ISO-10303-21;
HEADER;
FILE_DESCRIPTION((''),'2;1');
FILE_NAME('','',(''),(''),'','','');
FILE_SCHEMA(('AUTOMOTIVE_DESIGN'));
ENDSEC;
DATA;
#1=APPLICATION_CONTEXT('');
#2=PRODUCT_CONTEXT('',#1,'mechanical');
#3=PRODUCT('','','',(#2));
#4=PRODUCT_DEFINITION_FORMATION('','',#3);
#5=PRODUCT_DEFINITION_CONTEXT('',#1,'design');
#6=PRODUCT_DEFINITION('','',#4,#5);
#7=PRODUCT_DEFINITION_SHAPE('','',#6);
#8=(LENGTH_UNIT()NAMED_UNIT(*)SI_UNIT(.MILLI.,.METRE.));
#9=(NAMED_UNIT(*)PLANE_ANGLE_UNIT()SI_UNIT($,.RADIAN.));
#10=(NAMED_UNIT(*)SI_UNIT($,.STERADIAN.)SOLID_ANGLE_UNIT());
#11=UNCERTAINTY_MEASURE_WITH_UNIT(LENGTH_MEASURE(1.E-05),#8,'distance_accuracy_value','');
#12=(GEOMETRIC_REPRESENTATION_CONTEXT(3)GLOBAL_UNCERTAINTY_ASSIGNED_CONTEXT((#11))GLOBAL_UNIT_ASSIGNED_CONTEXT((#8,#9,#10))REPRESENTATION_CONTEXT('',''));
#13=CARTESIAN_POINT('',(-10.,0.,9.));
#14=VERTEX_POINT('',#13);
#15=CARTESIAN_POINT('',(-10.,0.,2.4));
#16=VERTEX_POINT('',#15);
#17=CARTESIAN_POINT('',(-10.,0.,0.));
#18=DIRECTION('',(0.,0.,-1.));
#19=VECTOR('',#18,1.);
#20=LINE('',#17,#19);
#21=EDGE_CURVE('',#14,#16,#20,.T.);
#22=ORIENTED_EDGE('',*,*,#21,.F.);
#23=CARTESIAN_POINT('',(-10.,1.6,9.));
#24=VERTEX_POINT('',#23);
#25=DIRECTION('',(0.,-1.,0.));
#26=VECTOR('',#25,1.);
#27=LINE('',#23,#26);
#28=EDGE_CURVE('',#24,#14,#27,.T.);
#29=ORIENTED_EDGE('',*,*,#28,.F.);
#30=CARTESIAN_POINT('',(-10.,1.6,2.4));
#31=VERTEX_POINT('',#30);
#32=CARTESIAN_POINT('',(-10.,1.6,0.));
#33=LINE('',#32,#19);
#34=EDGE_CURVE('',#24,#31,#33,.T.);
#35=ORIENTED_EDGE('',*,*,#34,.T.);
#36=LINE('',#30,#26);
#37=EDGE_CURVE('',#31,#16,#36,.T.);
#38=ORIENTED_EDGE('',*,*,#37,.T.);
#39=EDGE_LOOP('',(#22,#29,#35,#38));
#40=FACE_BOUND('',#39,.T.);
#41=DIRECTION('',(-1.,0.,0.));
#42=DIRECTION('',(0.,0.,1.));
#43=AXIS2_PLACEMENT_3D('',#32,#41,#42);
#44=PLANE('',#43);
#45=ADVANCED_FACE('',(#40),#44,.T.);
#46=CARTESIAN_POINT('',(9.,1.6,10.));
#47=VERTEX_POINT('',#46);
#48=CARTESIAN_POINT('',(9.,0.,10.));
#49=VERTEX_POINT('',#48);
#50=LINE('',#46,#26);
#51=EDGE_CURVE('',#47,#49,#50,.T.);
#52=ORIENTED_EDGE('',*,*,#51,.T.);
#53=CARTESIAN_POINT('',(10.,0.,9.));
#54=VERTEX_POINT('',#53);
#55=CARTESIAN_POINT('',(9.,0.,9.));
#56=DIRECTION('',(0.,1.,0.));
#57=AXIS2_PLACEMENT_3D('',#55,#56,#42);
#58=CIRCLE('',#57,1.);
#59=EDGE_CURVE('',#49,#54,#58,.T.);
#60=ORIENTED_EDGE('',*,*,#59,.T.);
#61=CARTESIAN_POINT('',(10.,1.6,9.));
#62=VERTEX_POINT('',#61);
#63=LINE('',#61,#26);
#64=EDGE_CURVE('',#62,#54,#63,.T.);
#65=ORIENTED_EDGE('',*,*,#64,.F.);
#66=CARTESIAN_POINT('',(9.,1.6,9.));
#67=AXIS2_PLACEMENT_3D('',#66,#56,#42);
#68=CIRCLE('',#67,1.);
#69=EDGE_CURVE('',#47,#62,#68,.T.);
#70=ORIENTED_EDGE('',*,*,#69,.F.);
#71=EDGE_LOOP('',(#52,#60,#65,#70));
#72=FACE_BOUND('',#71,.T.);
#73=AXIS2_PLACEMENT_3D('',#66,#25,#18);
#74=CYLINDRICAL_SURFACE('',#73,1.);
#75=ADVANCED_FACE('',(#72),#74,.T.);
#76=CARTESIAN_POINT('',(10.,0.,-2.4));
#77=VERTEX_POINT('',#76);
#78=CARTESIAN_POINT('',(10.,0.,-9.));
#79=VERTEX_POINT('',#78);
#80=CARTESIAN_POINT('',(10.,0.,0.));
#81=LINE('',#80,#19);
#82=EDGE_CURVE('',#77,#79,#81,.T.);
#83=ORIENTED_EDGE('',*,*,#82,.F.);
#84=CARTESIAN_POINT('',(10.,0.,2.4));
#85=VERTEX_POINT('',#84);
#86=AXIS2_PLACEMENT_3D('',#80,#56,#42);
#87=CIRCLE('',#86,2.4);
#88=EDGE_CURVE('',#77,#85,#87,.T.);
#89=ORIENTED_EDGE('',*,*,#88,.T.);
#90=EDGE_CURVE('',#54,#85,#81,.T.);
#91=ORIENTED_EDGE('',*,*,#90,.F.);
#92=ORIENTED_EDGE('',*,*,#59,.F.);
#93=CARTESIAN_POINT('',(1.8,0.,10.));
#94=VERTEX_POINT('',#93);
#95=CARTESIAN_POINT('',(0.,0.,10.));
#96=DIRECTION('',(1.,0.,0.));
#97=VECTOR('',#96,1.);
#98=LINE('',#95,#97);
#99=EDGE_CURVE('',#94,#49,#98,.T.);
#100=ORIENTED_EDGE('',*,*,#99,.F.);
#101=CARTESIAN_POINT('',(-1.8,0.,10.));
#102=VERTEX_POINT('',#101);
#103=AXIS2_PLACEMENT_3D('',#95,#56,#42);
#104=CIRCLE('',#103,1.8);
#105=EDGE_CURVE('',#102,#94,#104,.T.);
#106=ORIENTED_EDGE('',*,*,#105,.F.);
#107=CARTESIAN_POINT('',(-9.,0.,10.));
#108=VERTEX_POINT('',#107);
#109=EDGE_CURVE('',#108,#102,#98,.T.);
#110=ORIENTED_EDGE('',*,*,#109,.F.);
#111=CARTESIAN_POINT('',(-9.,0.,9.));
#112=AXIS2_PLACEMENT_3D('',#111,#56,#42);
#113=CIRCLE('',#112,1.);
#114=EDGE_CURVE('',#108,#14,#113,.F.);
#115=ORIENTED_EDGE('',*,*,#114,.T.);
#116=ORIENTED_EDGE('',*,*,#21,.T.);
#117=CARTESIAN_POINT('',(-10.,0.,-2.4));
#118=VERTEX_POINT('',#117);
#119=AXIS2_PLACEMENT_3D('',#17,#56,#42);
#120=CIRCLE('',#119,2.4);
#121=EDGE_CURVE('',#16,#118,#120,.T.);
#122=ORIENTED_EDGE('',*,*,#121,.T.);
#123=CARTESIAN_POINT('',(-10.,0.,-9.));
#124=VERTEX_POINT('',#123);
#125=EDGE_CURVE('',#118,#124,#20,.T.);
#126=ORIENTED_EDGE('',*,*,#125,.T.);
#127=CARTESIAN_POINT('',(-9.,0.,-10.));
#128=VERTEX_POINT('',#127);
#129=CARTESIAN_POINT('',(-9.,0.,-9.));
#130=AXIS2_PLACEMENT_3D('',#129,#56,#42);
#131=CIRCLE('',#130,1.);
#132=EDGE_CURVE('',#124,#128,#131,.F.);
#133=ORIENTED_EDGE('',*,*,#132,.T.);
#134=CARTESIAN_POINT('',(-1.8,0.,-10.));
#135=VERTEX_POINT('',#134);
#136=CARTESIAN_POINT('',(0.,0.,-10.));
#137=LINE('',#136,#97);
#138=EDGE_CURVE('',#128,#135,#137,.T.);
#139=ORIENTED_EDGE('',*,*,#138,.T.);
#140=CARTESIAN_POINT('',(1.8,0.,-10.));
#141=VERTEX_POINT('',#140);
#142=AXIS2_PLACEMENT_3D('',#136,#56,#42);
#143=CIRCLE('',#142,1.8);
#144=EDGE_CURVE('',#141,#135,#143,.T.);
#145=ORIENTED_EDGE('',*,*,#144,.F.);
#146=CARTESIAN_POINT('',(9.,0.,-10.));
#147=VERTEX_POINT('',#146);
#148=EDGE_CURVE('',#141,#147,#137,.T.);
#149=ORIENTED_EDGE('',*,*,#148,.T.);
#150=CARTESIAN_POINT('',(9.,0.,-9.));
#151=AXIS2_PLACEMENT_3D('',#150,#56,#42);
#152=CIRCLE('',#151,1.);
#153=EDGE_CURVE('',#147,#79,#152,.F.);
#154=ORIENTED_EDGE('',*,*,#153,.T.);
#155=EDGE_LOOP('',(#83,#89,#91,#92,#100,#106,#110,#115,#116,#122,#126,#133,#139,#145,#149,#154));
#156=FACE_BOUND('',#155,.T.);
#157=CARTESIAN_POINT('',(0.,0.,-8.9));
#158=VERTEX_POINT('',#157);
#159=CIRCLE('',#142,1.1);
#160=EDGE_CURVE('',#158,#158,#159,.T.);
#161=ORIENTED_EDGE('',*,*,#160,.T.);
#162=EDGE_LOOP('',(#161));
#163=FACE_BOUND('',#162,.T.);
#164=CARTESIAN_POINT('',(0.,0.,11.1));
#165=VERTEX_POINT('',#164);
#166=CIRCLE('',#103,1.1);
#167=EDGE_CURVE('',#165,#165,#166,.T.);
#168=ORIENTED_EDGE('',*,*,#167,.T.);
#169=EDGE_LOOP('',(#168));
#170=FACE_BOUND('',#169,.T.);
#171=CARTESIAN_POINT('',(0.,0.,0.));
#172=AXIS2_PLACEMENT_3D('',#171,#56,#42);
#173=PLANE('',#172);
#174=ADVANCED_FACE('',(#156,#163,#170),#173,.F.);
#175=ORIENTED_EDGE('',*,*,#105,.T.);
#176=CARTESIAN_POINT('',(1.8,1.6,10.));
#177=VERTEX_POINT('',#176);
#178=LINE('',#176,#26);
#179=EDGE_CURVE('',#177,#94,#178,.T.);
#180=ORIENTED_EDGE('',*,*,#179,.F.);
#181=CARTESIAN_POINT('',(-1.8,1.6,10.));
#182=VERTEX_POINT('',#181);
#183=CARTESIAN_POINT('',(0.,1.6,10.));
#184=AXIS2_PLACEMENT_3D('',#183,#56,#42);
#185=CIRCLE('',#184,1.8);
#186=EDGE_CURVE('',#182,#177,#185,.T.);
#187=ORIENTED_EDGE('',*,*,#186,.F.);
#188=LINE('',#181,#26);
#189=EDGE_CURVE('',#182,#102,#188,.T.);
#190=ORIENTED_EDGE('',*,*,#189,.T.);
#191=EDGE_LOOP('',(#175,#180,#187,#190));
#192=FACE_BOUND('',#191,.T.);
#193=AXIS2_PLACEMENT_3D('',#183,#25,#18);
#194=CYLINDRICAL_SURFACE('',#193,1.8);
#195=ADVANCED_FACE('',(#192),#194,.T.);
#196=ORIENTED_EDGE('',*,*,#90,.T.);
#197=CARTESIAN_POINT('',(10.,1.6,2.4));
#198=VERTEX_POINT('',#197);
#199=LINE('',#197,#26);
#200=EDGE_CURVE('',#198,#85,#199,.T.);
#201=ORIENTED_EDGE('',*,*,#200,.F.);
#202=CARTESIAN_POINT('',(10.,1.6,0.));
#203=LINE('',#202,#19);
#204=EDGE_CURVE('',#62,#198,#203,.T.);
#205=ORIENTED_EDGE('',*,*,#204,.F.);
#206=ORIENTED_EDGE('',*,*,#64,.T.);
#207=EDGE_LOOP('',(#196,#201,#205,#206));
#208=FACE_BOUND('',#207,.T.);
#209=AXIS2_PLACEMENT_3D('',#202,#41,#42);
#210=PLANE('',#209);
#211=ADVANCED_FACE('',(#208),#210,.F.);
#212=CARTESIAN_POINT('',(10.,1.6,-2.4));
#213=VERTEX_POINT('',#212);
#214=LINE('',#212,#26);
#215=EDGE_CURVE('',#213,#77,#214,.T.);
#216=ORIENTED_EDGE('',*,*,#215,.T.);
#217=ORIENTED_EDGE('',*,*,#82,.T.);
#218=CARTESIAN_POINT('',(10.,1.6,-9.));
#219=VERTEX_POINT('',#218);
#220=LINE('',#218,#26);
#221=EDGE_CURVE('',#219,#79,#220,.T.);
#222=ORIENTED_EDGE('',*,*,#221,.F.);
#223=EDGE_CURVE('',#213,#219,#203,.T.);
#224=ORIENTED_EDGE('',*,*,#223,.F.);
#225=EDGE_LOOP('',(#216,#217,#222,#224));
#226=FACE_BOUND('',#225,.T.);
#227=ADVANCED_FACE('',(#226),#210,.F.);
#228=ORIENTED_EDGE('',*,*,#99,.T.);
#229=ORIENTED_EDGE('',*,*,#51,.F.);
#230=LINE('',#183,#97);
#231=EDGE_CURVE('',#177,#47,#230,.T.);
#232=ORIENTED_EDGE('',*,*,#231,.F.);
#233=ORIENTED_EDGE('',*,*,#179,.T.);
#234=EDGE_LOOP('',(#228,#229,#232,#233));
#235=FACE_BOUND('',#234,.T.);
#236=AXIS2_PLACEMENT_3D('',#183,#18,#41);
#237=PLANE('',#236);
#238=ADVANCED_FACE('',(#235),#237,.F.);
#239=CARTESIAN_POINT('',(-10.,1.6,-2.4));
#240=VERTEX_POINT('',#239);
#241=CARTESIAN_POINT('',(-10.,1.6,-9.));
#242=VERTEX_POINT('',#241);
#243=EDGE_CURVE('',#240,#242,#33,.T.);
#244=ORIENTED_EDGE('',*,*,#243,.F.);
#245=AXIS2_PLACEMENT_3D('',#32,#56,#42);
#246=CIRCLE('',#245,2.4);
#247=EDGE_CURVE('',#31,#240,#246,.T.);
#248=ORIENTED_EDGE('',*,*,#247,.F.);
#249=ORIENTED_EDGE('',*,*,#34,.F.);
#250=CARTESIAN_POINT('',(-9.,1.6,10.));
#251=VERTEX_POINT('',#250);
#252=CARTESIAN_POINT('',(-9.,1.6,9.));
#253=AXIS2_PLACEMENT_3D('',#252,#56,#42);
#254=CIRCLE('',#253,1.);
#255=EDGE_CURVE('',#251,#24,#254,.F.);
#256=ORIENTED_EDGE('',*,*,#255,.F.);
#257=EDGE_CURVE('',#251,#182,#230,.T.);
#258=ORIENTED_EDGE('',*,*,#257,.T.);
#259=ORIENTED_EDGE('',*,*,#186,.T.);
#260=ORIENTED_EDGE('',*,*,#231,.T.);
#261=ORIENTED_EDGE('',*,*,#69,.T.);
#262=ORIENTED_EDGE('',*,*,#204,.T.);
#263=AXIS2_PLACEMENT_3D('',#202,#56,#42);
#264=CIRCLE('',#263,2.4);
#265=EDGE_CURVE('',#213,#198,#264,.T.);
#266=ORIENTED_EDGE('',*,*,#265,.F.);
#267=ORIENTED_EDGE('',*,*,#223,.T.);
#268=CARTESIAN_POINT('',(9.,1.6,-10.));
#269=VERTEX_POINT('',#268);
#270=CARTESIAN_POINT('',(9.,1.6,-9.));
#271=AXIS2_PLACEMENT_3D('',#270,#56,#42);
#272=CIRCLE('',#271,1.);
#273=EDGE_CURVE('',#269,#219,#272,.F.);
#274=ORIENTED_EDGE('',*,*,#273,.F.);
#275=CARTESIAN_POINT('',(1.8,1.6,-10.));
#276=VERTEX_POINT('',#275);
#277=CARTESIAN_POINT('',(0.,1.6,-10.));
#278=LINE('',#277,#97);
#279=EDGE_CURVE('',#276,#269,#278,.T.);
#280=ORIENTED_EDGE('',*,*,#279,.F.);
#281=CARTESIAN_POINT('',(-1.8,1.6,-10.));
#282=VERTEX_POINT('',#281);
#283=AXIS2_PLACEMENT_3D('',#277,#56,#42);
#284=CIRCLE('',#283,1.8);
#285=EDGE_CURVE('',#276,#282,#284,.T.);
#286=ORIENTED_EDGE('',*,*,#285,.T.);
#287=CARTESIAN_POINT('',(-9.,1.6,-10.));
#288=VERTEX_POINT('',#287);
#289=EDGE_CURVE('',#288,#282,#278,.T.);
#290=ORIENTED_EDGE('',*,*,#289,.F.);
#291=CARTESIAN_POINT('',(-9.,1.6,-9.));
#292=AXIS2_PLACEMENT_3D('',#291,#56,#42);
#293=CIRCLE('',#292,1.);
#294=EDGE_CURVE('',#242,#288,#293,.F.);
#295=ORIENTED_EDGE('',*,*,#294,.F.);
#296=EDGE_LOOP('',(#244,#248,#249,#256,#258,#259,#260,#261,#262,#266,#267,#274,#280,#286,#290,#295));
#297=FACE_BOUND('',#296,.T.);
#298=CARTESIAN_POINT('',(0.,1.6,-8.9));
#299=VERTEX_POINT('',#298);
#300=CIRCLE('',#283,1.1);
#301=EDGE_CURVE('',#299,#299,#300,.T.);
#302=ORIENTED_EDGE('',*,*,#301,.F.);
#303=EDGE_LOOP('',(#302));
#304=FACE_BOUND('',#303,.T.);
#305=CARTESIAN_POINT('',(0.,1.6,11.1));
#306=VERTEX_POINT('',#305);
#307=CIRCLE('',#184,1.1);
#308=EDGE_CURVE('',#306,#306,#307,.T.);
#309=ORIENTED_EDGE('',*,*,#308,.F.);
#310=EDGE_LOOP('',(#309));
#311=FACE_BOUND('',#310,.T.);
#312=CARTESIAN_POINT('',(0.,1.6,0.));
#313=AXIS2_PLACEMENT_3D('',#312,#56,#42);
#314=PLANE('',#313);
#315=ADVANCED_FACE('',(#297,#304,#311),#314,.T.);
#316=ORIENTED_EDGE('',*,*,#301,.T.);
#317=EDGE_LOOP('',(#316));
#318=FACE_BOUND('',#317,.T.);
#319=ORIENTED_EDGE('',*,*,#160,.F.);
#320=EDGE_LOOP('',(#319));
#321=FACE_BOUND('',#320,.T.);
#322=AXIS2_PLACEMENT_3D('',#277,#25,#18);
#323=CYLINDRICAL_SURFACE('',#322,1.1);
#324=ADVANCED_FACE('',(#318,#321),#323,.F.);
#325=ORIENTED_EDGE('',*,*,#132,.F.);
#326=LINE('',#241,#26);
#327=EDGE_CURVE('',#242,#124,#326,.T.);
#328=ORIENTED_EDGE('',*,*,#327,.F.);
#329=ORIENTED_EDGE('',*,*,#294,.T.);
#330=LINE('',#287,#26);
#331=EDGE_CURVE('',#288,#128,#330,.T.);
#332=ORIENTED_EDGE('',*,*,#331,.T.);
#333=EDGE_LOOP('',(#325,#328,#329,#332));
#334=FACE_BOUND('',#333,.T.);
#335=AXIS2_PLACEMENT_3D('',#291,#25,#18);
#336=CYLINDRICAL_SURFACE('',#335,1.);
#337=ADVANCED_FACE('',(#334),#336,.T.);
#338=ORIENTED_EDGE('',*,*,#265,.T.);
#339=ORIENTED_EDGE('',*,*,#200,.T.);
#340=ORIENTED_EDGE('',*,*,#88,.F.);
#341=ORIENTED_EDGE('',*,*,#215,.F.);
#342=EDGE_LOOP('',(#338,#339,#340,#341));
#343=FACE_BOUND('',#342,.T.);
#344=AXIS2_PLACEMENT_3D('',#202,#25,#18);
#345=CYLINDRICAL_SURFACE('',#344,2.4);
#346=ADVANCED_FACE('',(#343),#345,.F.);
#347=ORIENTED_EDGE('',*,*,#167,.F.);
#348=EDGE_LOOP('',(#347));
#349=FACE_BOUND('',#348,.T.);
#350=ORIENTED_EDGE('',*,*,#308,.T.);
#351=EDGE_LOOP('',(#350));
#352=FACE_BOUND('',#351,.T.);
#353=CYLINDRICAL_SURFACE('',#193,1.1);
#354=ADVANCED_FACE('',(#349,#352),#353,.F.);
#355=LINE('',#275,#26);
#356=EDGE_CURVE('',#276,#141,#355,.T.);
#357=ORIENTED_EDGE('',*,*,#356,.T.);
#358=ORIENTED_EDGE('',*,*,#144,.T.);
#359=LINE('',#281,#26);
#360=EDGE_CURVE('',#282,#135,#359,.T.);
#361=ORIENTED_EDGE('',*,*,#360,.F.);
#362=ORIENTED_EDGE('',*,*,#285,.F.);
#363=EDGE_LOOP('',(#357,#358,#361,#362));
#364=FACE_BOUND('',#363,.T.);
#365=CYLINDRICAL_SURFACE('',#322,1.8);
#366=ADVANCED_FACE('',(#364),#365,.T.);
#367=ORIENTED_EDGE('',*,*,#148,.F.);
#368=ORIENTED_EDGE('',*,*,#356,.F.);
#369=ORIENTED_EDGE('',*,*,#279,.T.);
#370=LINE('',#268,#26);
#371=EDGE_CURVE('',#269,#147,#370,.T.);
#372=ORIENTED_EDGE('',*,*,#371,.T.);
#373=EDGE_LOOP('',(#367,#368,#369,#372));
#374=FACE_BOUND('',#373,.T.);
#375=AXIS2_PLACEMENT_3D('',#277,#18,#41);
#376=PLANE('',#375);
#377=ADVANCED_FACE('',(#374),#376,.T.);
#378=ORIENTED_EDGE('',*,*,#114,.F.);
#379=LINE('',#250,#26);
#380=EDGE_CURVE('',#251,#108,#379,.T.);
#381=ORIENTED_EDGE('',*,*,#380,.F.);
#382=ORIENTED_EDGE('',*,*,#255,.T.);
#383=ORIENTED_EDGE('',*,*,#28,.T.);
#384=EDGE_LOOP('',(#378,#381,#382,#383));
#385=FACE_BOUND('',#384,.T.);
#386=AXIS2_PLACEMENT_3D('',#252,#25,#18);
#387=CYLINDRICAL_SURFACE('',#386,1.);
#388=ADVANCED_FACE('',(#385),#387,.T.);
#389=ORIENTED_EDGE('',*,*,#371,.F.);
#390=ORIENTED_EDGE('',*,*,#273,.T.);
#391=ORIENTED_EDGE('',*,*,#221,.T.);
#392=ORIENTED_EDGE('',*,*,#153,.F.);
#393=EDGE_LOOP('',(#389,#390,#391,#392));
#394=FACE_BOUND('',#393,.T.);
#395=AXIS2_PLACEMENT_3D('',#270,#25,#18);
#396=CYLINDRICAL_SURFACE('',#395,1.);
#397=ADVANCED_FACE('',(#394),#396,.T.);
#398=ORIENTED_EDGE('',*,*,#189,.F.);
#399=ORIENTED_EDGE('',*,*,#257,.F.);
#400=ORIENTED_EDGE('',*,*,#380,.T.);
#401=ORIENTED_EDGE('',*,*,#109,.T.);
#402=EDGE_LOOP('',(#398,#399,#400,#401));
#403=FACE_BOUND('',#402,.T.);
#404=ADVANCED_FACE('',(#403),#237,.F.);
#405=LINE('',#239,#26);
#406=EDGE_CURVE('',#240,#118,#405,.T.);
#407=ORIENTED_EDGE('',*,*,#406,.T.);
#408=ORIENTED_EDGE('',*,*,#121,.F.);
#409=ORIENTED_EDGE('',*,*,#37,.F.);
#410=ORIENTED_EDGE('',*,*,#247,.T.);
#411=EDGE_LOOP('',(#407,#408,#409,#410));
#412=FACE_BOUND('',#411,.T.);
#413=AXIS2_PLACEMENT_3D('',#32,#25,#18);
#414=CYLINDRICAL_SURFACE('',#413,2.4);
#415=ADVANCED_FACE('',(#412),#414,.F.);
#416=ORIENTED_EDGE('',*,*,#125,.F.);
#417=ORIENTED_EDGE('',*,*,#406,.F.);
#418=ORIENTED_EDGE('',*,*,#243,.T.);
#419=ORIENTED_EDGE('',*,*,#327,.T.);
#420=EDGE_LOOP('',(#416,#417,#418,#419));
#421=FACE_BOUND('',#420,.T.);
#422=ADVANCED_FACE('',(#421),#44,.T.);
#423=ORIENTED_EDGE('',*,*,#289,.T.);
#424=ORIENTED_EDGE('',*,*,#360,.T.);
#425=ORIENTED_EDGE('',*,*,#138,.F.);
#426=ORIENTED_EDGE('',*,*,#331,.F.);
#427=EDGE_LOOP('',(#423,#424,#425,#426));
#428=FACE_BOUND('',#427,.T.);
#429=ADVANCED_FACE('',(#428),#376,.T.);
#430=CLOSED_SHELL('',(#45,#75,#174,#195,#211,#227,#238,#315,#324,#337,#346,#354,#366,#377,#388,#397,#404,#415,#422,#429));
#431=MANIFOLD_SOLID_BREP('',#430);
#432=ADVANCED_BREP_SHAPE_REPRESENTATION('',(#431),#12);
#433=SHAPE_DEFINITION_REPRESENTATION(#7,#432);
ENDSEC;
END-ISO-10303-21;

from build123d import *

# Parameters (mm, degrees)
ESQUISSE1_R        = 1.1
BOSS_EXTRU_1_DEPTH = 1.6


with BuildPart() as part:
    # Esquisse1 → Boss.-Extru.1 (new body)
    with BuildSketch(Plane(origin=(0, 0, 0), x_dir=(1, 0, 0), z_dir=(0, 1, 0))):
        with BuildLine():
            ThreePointArc((-1.8, -10), (0, -11.8), (1.8, -10))
            Line((1.8, -10), (9, -10))
            ThreePointArc((9, -10), (9.707106781, -9.707106781), (10, -9))
            Line((10, -9), (10, -2.4))
            ThreePointArc((10, -2.4), (7.6, 0), (10, 2.4))
            Line((10, 2.4), (10, 9))
            ThreePointArc((10, 9), (9.707106781, 9.707106781), (9, 10))
            Line((9, 10), (1.8, 10))
            ThreePointArc((1.8, 10), (0, 11.8), (-1.8, 10))
            Line((-1.8, 10), (-9, 10))
            ThreePointArc((-9, 10), (-9.707106781, 9.707106781), (-10, 9))
            Line((-10, 9), (-10, 2.4))
            ThreePointArc((-10, 2.4), (-7.6, 0), (-10, -2.4))
            Line((-10, -2.4), (-10, -9))
            ThreePointArc((-10, -9), (-9.707106781, -9.707106781), (-9, -10))
            Line((-9, -10), (-1.8, -10))
        make_face()
        with Locations(Location((0, -10, 0), (0, 0, 270))):  # turned: the seam where the file's is
            Circle(ESQUISSE1_R, mode=Mode.SUBTRACT)
        with Locations(Location((0, 10, 0), (0, 0, 270))):  # turned: the seam where the file's is
            Circle(ESQUISSE1_R, mode=Mode.SUBTRACT)
    extrude(amount=BOSS_EXTRU_1_DEPTH)


solid = part.part
